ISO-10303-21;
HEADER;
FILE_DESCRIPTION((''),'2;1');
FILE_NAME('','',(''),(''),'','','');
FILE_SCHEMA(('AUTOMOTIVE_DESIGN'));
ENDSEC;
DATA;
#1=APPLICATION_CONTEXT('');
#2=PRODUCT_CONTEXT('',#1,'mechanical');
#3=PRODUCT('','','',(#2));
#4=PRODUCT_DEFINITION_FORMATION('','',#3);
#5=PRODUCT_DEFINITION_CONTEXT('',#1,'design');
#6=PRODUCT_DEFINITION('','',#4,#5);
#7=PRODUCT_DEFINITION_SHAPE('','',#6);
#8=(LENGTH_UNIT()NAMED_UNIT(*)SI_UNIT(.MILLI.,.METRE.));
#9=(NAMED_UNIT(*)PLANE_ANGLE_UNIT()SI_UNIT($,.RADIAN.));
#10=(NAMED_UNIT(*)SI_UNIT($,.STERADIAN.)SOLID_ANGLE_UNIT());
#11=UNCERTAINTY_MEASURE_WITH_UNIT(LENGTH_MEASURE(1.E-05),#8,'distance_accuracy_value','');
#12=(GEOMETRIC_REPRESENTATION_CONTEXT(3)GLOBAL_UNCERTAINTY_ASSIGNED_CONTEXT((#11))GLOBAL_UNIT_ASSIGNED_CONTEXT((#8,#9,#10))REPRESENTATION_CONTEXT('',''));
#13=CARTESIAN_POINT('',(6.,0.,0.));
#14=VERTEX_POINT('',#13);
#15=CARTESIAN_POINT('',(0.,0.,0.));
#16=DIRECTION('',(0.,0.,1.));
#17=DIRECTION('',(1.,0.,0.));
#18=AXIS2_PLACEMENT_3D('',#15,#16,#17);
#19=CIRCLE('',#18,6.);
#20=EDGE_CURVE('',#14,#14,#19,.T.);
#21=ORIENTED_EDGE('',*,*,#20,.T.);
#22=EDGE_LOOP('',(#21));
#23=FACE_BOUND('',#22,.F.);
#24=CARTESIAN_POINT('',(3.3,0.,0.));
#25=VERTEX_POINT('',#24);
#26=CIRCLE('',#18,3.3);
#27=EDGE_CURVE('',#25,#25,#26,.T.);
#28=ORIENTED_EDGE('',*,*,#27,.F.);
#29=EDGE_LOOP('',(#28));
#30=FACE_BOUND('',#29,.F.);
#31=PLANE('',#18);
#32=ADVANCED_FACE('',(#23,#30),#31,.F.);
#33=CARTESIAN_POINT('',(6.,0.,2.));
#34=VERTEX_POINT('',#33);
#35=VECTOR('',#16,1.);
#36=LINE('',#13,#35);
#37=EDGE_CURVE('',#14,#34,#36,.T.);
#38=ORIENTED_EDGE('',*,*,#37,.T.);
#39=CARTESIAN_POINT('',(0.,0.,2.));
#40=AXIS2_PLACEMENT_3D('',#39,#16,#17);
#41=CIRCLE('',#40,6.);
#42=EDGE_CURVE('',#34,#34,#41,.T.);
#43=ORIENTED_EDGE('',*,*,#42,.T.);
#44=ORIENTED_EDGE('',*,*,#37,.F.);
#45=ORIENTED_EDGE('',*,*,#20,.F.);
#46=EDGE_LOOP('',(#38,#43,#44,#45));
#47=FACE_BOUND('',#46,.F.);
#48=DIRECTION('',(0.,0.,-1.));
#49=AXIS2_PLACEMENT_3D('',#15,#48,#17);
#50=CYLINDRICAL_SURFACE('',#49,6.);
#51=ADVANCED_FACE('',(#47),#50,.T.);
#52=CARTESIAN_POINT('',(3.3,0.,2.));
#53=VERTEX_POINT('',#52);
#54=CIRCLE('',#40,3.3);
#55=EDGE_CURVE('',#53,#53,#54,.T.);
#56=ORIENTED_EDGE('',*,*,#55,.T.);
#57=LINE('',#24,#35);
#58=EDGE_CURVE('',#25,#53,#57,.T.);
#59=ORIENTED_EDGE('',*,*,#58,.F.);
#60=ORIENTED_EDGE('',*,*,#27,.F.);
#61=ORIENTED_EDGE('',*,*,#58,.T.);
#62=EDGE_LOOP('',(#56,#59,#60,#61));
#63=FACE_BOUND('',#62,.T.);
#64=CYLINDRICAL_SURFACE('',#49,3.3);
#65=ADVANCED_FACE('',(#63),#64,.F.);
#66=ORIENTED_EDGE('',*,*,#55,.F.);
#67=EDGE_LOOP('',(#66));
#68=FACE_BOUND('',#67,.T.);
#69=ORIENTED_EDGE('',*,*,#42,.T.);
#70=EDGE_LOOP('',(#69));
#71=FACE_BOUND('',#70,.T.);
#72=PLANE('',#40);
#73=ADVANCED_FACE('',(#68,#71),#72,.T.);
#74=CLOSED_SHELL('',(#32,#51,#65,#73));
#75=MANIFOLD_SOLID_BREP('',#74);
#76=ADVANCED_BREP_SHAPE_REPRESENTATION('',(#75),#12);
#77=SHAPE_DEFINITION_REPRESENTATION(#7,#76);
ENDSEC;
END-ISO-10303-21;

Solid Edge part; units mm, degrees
sketch "Sketch1" plane through (0, 0, 0) normal (0, 0, 1) x (1, 0, 0)
  circle A0 centre (0, 0) radius 3.3
  circle A1 centre (0, 0) radius 6
extrude "Protrusion1" add sketch "Sketch1" along normal blind 2
